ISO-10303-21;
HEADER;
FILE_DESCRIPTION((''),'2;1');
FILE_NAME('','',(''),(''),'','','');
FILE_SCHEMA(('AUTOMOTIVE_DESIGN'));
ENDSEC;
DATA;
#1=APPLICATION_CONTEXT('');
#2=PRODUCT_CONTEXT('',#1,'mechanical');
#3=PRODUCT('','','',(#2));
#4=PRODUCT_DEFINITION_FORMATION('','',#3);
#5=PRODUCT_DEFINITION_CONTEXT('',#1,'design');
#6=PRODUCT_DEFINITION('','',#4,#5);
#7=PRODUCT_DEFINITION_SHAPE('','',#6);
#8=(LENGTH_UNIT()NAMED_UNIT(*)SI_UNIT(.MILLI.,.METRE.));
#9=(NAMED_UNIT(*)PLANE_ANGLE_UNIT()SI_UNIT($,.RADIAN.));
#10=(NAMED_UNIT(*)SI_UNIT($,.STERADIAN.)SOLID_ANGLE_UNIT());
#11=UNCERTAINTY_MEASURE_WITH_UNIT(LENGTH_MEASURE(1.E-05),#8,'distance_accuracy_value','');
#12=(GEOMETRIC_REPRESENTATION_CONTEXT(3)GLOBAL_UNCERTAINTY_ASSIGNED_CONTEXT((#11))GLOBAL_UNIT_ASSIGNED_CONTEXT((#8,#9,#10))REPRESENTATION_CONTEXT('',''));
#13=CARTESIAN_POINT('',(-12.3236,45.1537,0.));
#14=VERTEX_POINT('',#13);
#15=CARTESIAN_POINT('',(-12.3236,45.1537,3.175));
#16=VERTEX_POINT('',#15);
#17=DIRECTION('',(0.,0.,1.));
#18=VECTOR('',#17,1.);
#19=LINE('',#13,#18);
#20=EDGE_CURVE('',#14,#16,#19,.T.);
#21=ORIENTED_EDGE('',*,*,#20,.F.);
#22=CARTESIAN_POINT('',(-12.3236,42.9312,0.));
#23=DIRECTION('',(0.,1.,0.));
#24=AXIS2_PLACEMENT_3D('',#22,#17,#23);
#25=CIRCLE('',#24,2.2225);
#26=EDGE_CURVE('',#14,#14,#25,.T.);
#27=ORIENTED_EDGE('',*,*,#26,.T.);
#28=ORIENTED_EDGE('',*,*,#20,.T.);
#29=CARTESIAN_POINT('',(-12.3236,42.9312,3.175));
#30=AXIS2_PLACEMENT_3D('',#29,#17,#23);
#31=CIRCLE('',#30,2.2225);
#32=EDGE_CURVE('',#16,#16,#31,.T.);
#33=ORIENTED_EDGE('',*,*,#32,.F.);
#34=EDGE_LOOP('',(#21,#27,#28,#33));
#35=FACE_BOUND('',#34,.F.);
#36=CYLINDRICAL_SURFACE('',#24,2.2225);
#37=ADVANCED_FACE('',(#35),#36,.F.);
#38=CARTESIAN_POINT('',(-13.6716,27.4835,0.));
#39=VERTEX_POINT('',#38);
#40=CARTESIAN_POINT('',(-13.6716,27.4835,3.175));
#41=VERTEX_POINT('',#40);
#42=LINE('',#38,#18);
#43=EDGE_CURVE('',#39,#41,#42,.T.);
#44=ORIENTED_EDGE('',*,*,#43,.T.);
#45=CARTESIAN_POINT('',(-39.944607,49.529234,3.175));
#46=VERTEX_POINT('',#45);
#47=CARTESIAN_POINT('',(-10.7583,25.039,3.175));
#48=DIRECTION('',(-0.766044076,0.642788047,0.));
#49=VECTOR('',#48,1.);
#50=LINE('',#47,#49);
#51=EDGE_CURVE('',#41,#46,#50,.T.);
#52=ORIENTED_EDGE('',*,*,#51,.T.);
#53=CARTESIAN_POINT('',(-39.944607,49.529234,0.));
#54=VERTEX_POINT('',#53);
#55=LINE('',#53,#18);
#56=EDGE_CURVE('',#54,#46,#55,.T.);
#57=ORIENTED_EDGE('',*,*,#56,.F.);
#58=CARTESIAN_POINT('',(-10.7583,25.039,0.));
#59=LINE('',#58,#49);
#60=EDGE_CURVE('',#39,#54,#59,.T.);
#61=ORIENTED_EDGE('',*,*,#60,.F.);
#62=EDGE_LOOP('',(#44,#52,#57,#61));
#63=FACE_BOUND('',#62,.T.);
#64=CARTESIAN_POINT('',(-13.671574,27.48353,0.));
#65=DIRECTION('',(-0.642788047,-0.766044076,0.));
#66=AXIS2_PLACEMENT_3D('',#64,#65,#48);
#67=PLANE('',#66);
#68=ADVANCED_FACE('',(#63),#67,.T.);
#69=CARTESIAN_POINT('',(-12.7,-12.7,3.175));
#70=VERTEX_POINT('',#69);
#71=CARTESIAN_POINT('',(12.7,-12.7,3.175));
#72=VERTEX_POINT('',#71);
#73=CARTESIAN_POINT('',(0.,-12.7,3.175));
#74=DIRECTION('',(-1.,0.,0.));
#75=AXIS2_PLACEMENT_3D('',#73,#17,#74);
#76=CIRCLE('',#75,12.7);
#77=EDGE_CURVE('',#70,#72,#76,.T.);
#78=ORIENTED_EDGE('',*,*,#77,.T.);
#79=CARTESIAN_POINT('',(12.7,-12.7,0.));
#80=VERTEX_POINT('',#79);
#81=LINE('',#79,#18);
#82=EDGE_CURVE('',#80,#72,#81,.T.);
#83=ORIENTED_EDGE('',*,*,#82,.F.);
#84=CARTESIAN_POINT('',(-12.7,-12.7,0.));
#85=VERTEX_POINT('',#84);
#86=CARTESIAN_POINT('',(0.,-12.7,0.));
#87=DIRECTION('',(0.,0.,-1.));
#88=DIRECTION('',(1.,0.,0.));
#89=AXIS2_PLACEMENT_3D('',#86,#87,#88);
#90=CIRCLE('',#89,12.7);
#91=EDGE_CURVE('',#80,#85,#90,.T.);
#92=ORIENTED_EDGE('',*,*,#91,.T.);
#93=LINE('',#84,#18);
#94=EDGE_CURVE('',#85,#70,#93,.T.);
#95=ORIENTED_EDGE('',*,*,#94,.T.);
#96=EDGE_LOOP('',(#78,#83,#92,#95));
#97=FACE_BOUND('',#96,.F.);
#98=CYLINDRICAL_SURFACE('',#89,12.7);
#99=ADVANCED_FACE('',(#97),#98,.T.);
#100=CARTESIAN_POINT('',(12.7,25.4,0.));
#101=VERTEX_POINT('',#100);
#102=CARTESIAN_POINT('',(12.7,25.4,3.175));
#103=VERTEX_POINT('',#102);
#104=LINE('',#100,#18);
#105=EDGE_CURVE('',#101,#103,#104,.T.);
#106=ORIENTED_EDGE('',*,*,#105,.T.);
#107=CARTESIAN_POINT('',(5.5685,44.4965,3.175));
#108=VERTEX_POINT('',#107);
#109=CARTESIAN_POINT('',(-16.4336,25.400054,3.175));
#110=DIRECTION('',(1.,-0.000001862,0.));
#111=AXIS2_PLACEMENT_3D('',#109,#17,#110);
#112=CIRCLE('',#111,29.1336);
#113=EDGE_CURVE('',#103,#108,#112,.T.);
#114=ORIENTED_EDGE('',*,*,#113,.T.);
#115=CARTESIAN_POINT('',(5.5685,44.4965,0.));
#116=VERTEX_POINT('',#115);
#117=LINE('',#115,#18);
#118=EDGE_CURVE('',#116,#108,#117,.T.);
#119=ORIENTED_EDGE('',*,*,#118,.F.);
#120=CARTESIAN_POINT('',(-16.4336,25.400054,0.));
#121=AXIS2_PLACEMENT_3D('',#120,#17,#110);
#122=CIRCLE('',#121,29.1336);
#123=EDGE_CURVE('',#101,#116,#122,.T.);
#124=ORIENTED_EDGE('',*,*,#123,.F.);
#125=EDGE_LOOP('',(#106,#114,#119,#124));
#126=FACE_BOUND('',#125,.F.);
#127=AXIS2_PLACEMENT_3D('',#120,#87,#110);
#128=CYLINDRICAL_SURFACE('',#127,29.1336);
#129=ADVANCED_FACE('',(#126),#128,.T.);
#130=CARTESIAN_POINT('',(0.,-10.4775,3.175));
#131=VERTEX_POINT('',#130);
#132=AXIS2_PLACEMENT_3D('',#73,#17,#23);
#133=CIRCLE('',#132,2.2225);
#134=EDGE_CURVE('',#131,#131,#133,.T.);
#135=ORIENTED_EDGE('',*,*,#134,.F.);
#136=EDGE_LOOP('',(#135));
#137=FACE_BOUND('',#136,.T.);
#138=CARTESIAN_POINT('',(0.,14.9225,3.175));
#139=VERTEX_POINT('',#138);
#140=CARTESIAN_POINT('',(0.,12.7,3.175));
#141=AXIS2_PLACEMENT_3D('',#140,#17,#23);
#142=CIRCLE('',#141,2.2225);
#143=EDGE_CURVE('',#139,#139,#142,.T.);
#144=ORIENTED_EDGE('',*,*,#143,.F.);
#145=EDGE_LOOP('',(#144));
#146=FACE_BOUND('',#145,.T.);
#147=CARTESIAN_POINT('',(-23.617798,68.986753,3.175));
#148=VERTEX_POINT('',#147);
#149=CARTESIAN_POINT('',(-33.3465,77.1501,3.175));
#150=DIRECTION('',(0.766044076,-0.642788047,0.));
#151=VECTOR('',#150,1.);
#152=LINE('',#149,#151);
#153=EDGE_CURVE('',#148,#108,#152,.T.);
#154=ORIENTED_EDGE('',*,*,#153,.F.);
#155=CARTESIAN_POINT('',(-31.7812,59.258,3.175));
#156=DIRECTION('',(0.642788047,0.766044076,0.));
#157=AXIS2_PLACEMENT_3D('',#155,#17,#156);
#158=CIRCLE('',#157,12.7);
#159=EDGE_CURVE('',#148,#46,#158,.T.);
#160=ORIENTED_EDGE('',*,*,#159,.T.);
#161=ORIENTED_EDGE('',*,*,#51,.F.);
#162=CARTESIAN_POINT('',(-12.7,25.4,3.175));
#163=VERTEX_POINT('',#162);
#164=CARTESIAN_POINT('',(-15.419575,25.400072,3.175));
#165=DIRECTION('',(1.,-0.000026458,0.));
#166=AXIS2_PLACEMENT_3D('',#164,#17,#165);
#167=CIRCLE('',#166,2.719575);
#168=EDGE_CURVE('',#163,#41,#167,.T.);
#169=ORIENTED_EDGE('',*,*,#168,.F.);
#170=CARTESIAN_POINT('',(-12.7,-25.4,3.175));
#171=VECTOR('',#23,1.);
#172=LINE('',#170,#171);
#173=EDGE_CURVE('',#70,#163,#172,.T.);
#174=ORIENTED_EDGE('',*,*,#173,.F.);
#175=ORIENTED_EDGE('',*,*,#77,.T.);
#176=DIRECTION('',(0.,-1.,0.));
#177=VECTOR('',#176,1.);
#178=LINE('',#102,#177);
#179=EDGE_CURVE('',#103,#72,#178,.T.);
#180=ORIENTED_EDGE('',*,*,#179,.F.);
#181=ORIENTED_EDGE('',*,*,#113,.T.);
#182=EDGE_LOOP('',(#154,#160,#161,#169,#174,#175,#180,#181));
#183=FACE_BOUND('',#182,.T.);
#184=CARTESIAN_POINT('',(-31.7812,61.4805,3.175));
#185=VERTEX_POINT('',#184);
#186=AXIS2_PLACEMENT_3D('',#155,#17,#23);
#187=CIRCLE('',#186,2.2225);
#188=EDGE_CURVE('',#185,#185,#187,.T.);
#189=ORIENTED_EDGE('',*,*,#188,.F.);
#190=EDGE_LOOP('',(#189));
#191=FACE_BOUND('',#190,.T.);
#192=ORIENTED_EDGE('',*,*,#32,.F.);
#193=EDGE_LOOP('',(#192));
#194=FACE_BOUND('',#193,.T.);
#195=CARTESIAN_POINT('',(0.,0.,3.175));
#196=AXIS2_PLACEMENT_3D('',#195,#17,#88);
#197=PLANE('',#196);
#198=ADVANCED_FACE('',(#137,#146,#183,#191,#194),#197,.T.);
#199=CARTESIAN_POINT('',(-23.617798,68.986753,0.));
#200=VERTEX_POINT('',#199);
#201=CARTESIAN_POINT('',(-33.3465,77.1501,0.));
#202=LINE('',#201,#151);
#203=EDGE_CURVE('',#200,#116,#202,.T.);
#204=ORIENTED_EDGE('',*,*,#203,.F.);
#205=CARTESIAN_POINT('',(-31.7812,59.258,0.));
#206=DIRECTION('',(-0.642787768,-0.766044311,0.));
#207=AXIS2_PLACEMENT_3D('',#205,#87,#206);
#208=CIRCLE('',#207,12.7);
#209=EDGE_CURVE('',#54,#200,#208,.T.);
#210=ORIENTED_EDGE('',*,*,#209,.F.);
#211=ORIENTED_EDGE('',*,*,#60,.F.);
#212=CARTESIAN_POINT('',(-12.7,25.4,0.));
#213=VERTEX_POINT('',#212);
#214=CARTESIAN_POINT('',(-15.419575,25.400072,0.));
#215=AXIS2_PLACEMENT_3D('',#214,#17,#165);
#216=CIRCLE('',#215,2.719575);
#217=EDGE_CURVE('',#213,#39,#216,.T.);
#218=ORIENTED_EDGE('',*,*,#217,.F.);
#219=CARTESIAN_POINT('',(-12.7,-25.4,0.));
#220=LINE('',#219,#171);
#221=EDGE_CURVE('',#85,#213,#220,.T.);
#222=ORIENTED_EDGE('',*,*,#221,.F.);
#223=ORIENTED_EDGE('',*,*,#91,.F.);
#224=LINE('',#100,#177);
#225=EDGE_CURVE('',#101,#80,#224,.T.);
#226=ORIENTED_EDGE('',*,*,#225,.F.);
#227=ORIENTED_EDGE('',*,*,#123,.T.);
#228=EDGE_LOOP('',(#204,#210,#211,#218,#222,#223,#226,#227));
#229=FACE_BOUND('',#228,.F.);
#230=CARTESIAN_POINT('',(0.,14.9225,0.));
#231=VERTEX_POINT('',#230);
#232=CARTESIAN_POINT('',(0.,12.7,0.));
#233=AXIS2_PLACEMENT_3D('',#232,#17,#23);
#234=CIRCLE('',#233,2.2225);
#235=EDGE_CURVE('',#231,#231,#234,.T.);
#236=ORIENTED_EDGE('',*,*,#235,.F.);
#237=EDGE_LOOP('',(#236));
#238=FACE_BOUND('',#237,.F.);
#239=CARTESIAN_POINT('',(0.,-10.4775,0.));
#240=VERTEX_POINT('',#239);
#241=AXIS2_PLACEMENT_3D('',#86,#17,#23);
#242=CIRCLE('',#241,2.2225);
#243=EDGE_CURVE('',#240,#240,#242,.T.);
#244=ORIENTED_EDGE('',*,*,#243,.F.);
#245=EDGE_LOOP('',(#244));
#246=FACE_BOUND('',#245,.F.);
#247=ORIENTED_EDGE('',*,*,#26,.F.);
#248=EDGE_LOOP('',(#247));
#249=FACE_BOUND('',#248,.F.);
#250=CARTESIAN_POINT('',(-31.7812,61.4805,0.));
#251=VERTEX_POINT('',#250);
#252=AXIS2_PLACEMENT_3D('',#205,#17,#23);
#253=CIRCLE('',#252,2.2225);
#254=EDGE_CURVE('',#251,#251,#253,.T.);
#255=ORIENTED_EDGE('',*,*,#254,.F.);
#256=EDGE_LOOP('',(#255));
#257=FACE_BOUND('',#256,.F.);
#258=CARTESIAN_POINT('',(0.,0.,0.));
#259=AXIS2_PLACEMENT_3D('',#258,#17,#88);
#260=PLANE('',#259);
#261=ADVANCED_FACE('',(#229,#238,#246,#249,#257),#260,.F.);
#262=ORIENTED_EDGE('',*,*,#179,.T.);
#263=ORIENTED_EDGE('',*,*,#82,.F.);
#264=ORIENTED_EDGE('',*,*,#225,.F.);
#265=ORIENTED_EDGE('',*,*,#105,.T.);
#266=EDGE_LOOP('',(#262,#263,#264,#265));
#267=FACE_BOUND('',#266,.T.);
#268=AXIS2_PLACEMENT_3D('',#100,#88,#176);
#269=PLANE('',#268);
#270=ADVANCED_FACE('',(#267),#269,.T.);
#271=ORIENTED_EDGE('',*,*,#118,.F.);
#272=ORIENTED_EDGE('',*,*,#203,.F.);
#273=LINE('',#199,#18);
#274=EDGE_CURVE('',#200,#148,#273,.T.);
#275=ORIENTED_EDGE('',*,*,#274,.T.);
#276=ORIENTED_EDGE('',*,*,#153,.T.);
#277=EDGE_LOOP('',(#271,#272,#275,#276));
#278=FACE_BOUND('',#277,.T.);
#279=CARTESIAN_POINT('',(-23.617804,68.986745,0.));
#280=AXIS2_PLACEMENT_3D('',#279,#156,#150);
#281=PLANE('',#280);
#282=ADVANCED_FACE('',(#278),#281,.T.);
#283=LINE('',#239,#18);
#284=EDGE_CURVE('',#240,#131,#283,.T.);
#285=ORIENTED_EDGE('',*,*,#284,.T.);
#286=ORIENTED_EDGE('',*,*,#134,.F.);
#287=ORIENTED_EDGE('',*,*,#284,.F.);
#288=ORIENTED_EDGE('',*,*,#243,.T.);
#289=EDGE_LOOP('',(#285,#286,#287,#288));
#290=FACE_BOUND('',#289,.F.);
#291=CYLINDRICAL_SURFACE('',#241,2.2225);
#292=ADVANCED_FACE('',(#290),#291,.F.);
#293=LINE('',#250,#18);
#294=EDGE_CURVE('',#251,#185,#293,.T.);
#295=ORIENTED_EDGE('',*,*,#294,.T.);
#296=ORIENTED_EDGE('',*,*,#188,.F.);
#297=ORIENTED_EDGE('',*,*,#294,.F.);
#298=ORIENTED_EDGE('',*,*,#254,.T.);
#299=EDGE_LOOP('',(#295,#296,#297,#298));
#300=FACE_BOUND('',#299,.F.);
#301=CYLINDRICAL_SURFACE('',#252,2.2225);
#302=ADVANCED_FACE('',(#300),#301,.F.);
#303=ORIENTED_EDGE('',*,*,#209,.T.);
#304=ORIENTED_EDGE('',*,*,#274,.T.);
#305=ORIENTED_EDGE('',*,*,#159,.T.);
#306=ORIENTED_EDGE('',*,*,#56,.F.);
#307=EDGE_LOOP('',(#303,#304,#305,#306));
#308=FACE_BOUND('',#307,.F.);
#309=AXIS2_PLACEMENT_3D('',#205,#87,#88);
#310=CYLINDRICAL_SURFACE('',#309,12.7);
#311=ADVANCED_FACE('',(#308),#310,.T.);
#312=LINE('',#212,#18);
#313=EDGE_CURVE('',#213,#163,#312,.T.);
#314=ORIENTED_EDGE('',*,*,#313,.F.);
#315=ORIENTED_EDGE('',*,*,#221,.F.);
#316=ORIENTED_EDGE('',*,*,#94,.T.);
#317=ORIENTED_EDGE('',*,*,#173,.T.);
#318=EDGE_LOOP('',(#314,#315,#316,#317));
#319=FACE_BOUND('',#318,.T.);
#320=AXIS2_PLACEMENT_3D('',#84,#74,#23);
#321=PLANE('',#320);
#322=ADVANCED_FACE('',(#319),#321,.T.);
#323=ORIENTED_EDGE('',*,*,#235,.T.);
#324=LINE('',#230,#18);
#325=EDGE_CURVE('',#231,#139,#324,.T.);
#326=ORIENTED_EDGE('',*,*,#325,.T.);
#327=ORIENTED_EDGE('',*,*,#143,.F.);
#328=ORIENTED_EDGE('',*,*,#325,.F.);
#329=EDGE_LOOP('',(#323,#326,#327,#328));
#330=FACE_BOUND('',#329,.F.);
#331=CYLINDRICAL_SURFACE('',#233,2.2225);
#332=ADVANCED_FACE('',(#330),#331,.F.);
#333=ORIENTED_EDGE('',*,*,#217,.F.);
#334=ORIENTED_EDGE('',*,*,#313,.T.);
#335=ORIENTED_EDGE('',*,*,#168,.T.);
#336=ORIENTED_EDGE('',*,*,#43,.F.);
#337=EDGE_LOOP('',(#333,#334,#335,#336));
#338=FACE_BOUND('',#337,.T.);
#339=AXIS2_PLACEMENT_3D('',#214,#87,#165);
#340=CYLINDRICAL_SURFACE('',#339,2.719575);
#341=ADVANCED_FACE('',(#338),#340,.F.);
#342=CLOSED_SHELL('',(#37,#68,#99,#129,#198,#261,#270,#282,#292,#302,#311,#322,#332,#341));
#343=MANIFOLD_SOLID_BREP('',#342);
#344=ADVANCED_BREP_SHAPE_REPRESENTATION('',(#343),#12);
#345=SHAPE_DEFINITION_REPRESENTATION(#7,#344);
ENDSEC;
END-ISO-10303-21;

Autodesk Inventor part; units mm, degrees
ref_plane "YZ Plane" through (0, 0, 0) normal (1, 0, 0) x (0, 1, 0)
ref_plane "XZ Plane" through (0, 0, 0) normal (0, 1, 0) x (-1, 0, 0)
ref_plane "XY Plane" through (0, 0, 0) normal (0, 0, 1) x (1, 0, 0)
sketch "Sketch1" plane through (0, 0, 0) normal (0, 0, 1) x (1, 0, 0)
  line L0 (-12.7, 25.4) -> (12.7, 25.4)
  line L1 (12.7, 25.4) -> (12.7, -25.4)
  line L2 (12.7, -25.4) -> (-12.7, -25.4)
  line L3 (-12.7, -25.4) -> (-12.7, 25.4)
  line L4 (-12.7, 25.4) -> (12.7, -25.4) construction
  line L5 (12.7, 25.4) -> (-12.7, -25.4) construction
  line L6 (-33.3465, 77.1501) -> (5.5685, 44.4965)
  line L7 (5.5685, 44.4965) -> (-10.7583, 25.039)
  line L8 (-10.7583, 25.039) -> (-49.6733, 57.6926)
  line L9 (-49.6733, 57.6926) -> (-33.3465, 77.1501)
  line L10 (-33.3465, 77.1501) -> (-10.7583, 25.039) construction
  line L11 (5.5685, 44.4965) -> (-49.6733, 57.6926) construction
  line L12 (-31.7812, 59.258) -> (-12.3236, 42.9312) construction
  line L13 (0, -12.7) -> (0, 12.7) construction
  line L14 (-12.7, -25.4) -> (12.7, -25.4)
  line L15 (12.7, -25.4) -> (12.7, -50.8)
  line L16 (12.7, -50.8) -> (-12.7, -50.8)
  line L17 (-12.7, -50.8) -> (-12.7, -25.4)
  circle A0 centre (0, -38.1) radius 12.7
  circle A1 centre (-31.7812, 59.258) radius 12.7
  line L18 (-10.7583, 25.039) -> (-185.876, 171.9802)
  arc A2 (-12.7, 25.4) -> (-13.6716, 27.4835) centre (-15.4199, 25.4) ccw
  arc A3 (12.7, 25.4) -> (5.5685, 44.4965) centre (-16.4339, 25.4) ccw
  circle A4 centre (0, -12.7) radius 12.7
  point P0 (0, 0)
  point P1 (0, 0)
  point P2 (0, 0)
  point P3 (-22.0524, 51.0946)
  point P4 (-22.0524, 51.0946)
  point P5 (-39.9446, 49.5292)
  point P6 (-12.7, -38.1)
  point P7 (12.7, -38.1)
  point P8 (-23.6178, 68.9867)
  point P9 (-10.4554, 25.4)
  point P10 (-11.1885, 25.4)
  point P11 (-41.5099, 67.4214)
  point P12 (-39.9446, 49.5292)
  point P13 (-13.6716, 27.4835)
  point P14 (-11.1885, 25.4)
  point P15 (12.7, -12.7)
  point P16 (-12.7, -12.7)
  dimension "d0" = 25.4
  dimension "d1" = 50.8
  dimension "d2" = 25.4
  dimension "d3" = 12.7
  dimension "d14" = 25.4
extrude "Extrusion1" add sketch "Sketch1" along normal blind 3.175 contours A2 L8 L0 | L0 L8 L7 L1 A4 L3 | L8 A1 L6 L7 L0 | L0 L7 L8 | A4 | L7 A3 L0 | A1
hole "Hole1" at (0, -12.7, 0) at (0, 12.7, 0) at (-12.3236, 42.9312, 0) at (-31.7812, 59.258, 0) at (0, -38.1, 0) direction (0, 0, 1) diameter 4.445 end through all
equation "\"d3\" = 0.5 * d2"
equation "\"d14\" = d2"
properties part number "Hood Lower Bracket" material "PET Plastic"
